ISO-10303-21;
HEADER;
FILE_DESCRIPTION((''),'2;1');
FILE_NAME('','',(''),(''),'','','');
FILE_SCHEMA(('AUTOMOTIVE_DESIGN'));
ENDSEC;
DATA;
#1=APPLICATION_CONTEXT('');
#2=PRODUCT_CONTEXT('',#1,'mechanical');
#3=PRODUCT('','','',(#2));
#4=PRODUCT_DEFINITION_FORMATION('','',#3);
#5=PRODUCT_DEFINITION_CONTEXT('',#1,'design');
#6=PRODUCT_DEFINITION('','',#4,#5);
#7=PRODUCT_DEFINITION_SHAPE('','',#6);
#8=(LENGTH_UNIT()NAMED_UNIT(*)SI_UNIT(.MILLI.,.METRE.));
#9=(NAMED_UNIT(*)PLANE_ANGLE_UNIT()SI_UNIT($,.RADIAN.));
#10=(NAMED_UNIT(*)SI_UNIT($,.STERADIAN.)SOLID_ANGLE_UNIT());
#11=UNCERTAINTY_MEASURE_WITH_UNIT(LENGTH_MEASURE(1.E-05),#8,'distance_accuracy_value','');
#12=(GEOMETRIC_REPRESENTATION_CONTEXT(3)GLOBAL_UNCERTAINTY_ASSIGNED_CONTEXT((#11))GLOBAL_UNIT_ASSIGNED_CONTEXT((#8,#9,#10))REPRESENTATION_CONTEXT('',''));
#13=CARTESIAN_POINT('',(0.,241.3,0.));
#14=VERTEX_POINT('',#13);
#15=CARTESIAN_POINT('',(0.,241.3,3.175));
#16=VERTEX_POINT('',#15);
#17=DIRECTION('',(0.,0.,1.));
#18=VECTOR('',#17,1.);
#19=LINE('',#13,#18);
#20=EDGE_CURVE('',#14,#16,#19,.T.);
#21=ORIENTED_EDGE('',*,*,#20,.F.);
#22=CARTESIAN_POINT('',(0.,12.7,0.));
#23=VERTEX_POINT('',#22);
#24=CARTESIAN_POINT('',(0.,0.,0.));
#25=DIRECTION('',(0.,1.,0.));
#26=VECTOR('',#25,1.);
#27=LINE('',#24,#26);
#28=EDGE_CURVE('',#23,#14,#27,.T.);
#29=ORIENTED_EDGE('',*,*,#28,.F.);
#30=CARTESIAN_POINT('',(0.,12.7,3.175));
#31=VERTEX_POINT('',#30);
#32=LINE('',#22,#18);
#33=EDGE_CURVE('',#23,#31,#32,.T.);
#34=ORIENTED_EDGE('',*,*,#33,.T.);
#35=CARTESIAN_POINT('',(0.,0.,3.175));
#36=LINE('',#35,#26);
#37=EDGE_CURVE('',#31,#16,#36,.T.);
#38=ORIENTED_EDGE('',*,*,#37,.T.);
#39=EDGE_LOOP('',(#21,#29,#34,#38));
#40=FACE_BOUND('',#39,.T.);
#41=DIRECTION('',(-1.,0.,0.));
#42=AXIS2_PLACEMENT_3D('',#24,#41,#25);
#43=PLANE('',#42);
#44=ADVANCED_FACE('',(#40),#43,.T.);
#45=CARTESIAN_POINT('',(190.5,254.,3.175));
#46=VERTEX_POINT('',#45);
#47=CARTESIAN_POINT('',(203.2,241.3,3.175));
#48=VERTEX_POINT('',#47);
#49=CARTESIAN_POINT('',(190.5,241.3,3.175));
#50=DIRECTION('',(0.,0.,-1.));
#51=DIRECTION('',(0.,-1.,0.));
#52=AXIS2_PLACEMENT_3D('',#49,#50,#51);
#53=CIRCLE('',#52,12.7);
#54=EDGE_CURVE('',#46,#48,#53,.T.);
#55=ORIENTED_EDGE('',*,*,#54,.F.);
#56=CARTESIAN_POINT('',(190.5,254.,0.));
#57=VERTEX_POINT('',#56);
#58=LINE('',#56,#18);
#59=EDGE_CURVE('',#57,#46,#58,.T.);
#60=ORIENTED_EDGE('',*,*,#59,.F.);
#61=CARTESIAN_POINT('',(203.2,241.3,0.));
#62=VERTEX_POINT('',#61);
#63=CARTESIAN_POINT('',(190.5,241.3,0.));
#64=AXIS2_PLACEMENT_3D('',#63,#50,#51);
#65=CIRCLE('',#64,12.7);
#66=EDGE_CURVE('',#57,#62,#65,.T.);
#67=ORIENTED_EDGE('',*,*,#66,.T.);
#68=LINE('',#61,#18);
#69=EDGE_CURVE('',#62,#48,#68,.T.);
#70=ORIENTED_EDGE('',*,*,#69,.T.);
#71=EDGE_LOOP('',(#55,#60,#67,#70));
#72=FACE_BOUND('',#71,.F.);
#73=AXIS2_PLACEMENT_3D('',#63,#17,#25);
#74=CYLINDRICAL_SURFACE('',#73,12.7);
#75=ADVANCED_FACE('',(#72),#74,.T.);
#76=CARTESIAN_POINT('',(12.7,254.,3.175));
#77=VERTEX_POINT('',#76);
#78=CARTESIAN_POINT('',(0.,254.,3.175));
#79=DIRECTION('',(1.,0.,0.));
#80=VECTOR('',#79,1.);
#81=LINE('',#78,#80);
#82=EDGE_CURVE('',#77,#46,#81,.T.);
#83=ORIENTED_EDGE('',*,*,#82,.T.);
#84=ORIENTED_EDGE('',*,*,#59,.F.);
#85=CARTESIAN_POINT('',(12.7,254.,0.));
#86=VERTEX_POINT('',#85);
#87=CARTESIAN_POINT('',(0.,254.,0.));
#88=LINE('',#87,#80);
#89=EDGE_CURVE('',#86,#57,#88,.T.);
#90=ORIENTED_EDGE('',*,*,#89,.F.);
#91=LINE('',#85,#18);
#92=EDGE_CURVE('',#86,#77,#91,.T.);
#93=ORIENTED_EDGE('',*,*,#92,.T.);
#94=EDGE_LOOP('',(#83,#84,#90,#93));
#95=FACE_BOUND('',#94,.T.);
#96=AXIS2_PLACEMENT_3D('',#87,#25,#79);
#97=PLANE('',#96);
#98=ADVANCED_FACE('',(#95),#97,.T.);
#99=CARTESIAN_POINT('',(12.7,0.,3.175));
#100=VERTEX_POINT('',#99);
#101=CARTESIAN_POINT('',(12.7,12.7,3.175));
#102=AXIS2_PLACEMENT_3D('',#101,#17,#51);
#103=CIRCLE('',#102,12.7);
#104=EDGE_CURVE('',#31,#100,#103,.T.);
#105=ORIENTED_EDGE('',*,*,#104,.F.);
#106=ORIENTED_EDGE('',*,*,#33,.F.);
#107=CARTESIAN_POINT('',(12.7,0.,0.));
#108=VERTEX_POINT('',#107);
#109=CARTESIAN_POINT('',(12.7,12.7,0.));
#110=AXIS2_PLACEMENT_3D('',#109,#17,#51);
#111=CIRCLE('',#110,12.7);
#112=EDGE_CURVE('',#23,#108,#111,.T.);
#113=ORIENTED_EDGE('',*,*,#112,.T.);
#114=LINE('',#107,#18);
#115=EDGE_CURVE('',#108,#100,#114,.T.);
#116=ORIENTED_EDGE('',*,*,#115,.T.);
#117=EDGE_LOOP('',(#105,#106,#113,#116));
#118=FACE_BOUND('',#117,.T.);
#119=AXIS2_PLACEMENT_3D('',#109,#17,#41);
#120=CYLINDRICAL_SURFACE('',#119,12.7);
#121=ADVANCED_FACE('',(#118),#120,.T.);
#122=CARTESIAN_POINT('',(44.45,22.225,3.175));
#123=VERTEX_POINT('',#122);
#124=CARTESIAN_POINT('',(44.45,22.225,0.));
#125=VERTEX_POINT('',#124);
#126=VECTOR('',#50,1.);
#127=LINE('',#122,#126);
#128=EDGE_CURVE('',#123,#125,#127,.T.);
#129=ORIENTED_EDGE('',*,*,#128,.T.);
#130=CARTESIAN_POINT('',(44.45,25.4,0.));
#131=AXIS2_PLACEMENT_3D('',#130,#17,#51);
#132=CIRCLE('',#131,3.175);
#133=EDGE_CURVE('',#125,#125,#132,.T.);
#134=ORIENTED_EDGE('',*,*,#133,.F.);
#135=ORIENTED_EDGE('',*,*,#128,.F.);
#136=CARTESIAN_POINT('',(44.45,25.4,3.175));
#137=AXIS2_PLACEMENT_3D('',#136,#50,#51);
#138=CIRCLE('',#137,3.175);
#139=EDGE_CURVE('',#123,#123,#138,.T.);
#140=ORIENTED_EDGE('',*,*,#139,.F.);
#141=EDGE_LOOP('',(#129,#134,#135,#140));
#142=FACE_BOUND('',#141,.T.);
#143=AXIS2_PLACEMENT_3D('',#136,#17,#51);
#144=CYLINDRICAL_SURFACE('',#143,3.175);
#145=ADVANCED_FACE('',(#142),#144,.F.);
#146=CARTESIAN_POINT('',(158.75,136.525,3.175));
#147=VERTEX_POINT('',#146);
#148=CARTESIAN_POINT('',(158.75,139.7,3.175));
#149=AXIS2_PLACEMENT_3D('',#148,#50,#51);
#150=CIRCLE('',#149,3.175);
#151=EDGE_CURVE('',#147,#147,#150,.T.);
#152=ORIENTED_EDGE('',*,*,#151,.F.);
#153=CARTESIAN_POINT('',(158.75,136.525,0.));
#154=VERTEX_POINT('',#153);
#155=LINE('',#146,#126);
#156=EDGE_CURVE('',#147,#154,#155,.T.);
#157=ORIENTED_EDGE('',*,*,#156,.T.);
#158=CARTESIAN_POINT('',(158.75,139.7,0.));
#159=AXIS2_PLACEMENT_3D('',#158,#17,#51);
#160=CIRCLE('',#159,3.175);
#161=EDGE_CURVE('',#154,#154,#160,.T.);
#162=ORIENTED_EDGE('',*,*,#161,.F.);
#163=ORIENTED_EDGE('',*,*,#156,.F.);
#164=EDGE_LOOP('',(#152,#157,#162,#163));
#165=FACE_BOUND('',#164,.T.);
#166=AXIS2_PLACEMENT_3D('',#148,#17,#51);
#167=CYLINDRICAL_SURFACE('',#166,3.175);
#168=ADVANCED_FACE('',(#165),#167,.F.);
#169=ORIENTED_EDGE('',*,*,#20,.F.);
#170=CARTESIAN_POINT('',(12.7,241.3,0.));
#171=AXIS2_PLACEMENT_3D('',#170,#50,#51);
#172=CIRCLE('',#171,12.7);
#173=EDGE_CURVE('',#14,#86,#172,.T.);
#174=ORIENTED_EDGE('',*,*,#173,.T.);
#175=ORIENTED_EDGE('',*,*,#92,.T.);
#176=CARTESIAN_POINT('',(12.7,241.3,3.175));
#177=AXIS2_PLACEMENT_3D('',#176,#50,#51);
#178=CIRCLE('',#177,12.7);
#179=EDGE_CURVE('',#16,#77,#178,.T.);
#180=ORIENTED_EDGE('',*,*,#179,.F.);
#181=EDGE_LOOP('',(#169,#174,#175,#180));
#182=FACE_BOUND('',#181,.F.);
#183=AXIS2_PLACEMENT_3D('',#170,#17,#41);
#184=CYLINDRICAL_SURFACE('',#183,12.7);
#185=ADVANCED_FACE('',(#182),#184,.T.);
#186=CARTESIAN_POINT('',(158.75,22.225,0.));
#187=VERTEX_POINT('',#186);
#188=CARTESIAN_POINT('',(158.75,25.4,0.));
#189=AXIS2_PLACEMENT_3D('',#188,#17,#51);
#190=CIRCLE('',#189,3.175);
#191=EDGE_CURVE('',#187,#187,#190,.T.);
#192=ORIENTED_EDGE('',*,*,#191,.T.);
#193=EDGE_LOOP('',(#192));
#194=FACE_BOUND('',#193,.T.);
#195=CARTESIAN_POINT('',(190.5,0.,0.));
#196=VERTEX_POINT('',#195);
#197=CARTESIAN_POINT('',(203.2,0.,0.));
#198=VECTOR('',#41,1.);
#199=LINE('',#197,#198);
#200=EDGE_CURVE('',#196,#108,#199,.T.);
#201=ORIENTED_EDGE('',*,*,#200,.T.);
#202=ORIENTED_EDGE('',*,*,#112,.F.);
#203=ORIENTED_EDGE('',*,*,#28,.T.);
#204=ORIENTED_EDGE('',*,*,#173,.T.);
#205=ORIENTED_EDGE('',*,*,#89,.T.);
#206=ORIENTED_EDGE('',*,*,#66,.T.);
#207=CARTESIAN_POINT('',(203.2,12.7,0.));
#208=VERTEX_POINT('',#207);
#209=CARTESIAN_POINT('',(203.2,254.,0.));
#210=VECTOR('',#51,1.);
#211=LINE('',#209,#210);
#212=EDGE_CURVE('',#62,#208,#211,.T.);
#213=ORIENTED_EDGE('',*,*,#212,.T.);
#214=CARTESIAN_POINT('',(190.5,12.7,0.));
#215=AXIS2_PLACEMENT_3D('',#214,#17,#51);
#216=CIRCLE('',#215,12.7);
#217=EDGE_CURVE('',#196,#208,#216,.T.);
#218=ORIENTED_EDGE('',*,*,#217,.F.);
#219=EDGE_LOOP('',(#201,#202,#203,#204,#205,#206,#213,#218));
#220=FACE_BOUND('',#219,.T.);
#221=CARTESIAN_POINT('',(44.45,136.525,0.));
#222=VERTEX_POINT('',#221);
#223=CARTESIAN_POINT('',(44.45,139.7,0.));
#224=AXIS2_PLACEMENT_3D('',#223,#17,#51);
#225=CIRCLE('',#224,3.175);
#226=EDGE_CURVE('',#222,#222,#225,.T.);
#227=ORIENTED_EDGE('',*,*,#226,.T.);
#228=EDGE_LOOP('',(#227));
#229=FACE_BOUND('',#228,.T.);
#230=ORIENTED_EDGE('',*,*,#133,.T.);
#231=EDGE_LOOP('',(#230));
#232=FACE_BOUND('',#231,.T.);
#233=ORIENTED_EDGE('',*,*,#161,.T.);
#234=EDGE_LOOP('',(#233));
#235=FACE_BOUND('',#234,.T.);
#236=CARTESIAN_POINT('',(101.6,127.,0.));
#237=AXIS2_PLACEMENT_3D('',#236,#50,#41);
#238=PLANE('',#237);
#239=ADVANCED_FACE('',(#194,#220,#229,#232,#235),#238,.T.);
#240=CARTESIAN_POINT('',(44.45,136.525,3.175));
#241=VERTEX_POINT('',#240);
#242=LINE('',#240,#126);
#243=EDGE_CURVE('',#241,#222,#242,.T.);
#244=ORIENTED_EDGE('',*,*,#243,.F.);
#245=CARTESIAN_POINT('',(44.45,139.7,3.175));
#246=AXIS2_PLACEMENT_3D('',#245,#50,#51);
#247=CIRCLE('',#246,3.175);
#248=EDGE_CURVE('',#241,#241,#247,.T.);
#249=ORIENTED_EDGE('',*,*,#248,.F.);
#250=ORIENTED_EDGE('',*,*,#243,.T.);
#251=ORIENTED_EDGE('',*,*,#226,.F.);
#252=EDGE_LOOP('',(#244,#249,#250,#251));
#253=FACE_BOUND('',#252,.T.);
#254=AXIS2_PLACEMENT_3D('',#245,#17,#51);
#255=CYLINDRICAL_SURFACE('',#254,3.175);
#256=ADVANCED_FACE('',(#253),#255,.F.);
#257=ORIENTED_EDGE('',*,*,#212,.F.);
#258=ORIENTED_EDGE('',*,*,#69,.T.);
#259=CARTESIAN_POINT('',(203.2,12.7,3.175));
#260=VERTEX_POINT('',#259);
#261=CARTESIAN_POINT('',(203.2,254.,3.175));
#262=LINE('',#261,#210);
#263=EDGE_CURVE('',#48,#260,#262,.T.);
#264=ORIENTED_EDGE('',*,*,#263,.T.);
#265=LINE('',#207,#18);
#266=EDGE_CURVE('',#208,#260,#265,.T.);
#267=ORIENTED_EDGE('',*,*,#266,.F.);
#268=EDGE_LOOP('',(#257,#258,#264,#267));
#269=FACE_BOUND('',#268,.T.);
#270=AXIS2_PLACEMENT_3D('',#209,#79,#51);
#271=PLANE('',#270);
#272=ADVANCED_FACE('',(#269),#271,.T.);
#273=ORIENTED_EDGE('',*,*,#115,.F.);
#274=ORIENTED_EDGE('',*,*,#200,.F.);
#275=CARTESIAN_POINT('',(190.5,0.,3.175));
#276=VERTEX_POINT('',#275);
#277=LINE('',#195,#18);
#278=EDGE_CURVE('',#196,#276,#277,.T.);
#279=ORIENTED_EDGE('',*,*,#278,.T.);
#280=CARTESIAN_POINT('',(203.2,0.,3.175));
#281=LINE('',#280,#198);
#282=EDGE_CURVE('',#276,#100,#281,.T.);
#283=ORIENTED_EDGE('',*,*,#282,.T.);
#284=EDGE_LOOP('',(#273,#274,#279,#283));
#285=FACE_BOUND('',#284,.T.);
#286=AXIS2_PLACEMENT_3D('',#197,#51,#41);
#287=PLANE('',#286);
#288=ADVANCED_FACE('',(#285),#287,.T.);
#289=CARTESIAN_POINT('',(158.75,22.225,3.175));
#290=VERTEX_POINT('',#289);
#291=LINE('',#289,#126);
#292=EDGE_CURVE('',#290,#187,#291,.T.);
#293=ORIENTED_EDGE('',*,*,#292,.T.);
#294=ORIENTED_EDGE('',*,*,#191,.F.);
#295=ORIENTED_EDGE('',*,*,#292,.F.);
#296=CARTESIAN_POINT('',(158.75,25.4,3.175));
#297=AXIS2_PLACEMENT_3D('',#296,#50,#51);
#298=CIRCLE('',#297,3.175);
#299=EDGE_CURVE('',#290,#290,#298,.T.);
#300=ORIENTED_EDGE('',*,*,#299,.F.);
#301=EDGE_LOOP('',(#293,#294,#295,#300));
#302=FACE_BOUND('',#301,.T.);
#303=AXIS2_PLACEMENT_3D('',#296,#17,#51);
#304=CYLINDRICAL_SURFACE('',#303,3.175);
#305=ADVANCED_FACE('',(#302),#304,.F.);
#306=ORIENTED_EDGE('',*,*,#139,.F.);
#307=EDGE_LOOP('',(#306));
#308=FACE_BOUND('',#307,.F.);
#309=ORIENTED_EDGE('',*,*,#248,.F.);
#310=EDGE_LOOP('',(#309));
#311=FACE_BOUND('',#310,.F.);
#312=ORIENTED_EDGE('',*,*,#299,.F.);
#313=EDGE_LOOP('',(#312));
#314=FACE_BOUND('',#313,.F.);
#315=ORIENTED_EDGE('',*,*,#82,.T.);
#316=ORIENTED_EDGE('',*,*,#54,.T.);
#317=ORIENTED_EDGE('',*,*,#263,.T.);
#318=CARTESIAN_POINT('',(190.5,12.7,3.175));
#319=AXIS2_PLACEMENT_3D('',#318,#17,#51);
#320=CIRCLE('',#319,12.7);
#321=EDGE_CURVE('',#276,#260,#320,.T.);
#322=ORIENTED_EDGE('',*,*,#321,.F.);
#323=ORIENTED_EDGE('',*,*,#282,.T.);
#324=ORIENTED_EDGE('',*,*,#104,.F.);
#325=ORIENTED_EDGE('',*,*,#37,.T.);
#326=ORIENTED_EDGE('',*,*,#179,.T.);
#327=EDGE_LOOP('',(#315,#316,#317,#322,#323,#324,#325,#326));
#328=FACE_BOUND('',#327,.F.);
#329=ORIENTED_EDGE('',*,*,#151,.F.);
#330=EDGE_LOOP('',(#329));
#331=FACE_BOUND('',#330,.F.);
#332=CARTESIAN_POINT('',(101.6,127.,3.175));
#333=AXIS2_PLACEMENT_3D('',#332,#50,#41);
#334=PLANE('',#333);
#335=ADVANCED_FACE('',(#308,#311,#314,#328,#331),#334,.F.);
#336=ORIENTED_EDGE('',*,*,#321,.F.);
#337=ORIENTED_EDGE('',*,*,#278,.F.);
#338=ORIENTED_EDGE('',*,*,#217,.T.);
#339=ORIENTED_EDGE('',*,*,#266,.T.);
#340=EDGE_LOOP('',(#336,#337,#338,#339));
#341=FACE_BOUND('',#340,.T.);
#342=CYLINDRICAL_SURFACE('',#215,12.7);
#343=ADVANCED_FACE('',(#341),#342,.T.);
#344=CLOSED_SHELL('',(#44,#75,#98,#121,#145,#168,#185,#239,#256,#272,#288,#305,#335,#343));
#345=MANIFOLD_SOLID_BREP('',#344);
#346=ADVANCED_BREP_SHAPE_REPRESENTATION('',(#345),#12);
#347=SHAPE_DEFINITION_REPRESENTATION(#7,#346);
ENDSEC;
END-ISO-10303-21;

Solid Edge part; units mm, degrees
sketch "Sketch1" plane through (0, 0, 0) normal (0, 0, 1) x (1, 0, 0)
  line L0 (0, 0) -> (0, 254)
  line L1 (0, 254) -> (203.2, 254)
  line L2 (203.2, 254) -> (203.2, 0)
  line L3 (203.2, 0) -> (0, 0)
  dimension "D1" = 203.2
  dimension "D2" = 254
extrude "Protrusion1" add sketch "Sketch1" along normal blind 3.175
hole "Hole_1" at (158.75, 139.7, 3.175) direction (0, 0, -1) diameter 6.35 end up to next
hole "Hole1" at (158.75, 25.4, 3.175) direction (0, 0, -1) diameter 6.35 end up to next
hole "Hole2" at (44.45, 25.4, 3.175) direction (0, 0, -1) diameter 6.35 end up to next
hole "Hole3" at (44.45, 139.7, 3.175) direction (0, 0, -1) diameter 6.35 end up to next
fillet "Round_1" radius 12.7 4 edges at (0, 0, 1.5875) (203.2, 0, 1.5875) (203.2, 254, 1.5875) (0, 254, 1.5875)
properties part number "CHAS-05" material "Acrylic, high impact grade"
